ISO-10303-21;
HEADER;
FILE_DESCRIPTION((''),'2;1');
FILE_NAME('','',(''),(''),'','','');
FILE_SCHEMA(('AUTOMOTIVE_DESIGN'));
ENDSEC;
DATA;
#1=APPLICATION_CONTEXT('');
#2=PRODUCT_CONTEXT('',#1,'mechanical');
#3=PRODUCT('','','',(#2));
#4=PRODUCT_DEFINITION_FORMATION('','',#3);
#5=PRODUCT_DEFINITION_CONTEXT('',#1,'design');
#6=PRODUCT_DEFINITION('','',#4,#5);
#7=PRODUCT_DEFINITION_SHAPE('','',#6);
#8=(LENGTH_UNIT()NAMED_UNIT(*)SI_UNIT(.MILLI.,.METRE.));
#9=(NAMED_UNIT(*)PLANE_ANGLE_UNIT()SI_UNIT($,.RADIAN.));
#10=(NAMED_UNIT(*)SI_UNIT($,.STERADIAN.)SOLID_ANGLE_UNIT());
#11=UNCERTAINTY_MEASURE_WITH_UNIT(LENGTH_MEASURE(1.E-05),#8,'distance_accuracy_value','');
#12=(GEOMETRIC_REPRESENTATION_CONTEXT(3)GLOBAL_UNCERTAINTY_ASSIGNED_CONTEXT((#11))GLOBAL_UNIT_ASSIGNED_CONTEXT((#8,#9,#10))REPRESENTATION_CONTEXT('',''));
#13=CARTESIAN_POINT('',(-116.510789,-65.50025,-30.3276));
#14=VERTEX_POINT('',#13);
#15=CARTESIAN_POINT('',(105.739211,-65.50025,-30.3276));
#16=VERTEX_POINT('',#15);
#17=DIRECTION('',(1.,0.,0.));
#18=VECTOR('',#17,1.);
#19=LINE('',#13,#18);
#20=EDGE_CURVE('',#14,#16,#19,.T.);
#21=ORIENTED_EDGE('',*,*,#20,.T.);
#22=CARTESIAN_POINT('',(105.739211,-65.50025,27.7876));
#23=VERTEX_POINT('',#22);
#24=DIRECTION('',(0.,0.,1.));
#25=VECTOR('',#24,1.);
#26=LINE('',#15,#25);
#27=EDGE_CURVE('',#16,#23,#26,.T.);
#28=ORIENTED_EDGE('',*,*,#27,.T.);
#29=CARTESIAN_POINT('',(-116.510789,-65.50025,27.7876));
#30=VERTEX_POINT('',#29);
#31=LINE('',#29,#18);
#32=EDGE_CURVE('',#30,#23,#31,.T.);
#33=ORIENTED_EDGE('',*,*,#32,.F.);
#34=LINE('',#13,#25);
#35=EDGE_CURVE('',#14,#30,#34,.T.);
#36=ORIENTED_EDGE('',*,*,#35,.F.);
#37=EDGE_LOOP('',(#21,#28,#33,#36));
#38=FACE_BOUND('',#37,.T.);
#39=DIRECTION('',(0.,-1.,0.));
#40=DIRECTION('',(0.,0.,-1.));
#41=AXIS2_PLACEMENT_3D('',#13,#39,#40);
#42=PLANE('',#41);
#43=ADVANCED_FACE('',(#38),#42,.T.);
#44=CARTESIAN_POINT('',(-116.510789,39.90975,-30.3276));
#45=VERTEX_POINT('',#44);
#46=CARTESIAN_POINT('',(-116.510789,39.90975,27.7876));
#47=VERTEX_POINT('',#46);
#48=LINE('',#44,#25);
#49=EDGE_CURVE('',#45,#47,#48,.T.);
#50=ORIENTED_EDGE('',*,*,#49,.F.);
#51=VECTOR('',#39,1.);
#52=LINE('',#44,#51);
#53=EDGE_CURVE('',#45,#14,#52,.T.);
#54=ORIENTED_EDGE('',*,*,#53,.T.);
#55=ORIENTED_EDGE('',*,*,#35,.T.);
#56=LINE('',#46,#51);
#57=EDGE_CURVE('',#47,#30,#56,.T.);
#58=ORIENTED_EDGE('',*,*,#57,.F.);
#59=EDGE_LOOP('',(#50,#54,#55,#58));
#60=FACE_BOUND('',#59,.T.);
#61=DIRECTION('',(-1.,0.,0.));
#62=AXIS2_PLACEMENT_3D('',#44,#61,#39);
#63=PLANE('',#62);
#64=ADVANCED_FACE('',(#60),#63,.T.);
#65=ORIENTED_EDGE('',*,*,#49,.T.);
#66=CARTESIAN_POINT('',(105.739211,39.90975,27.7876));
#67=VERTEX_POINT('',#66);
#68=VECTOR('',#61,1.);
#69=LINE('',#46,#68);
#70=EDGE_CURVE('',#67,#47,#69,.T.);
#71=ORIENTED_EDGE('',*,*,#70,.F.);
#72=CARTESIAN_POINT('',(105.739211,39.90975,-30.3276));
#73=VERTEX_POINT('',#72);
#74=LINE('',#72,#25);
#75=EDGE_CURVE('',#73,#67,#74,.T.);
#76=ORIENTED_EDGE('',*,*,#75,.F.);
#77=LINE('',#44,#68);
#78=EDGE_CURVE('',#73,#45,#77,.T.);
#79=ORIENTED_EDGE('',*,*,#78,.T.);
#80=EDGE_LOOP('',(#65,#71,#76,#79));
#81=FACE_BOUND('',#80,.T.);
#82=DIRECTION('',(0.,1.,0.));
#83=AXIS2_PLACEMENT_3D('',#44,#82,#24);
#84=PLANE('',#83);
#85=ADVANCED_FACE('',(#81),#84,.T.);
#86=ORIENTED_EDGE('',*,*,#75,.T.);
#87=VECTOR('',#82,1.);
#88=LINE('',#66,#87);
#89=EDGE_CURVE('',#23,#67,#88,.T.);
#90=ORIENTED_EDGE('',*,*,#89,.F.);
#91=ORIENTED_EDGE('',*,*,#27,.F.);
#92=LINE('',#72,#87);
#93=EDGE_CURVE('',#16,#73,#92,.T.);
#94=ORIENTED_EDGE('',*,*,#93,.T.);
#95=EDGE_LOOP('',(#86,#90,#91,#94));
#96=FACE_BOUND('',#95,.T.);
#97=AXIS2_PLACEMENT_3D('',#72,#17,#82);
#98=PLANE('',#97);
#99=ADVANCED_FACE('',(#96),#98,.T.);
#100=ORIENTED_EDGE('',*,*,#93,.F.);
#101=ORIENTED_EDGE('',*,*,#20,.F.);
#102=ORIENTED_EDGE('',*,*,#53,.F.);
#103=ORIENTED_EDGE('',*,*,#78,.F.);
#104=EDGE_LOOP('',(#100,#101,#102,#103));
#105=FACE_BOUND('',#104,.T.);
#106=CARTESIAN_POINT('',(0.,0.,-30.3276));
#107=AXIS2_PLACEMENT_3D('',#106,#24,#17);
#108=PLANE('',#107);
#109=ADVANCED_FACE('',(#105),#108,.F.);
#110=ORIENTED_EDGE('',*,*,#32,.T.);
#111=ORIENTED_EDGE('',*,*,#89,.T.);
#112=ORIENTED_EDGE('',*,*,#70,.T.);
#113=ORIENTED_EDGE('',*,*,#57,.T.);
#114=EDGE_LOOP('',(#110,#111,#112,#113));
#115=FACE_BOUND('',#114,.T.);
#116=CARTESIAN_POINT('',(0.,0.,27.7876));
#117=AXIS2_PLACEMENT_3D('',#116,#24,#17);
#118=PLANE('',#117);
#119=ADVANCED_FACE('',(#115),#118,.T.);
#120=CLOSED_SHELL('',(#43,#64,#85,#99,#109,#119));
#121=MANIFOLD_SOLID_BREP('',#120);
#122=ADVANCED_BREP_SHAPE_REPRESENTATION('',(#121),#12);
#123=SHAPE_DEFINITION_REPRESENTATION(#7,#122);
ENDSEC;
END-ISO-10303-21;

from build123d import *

# Parameters (mm, degrees)
BOSS_EXTRUDE1_DEPTH      = 27.7876
BOSS_EXTRUDE1_DEPTH_BACK = 30.3276
SKETCH1_W                = 222.25
SKETCH1_H                = 105.41


with BuildPart() as part:
    # Sketch1 → Boss-Extrude1 (new, two sides: drawn at the far end of the back side and taken through both)
    with BuildSketch(Plane.XY.offset(-BOSS_EXTRUDE1_DEPTH_BACK)):
        with Locations((-5.385788961, -12.79525)):
            Rectangle(SKETCH1_W, SKETCH1_H)
    extrude(amount=BOSS_EXTRUDE1_DEPTH + BOSS_EXTRUDE1_DEPTH_BACK)


solid = part.part
